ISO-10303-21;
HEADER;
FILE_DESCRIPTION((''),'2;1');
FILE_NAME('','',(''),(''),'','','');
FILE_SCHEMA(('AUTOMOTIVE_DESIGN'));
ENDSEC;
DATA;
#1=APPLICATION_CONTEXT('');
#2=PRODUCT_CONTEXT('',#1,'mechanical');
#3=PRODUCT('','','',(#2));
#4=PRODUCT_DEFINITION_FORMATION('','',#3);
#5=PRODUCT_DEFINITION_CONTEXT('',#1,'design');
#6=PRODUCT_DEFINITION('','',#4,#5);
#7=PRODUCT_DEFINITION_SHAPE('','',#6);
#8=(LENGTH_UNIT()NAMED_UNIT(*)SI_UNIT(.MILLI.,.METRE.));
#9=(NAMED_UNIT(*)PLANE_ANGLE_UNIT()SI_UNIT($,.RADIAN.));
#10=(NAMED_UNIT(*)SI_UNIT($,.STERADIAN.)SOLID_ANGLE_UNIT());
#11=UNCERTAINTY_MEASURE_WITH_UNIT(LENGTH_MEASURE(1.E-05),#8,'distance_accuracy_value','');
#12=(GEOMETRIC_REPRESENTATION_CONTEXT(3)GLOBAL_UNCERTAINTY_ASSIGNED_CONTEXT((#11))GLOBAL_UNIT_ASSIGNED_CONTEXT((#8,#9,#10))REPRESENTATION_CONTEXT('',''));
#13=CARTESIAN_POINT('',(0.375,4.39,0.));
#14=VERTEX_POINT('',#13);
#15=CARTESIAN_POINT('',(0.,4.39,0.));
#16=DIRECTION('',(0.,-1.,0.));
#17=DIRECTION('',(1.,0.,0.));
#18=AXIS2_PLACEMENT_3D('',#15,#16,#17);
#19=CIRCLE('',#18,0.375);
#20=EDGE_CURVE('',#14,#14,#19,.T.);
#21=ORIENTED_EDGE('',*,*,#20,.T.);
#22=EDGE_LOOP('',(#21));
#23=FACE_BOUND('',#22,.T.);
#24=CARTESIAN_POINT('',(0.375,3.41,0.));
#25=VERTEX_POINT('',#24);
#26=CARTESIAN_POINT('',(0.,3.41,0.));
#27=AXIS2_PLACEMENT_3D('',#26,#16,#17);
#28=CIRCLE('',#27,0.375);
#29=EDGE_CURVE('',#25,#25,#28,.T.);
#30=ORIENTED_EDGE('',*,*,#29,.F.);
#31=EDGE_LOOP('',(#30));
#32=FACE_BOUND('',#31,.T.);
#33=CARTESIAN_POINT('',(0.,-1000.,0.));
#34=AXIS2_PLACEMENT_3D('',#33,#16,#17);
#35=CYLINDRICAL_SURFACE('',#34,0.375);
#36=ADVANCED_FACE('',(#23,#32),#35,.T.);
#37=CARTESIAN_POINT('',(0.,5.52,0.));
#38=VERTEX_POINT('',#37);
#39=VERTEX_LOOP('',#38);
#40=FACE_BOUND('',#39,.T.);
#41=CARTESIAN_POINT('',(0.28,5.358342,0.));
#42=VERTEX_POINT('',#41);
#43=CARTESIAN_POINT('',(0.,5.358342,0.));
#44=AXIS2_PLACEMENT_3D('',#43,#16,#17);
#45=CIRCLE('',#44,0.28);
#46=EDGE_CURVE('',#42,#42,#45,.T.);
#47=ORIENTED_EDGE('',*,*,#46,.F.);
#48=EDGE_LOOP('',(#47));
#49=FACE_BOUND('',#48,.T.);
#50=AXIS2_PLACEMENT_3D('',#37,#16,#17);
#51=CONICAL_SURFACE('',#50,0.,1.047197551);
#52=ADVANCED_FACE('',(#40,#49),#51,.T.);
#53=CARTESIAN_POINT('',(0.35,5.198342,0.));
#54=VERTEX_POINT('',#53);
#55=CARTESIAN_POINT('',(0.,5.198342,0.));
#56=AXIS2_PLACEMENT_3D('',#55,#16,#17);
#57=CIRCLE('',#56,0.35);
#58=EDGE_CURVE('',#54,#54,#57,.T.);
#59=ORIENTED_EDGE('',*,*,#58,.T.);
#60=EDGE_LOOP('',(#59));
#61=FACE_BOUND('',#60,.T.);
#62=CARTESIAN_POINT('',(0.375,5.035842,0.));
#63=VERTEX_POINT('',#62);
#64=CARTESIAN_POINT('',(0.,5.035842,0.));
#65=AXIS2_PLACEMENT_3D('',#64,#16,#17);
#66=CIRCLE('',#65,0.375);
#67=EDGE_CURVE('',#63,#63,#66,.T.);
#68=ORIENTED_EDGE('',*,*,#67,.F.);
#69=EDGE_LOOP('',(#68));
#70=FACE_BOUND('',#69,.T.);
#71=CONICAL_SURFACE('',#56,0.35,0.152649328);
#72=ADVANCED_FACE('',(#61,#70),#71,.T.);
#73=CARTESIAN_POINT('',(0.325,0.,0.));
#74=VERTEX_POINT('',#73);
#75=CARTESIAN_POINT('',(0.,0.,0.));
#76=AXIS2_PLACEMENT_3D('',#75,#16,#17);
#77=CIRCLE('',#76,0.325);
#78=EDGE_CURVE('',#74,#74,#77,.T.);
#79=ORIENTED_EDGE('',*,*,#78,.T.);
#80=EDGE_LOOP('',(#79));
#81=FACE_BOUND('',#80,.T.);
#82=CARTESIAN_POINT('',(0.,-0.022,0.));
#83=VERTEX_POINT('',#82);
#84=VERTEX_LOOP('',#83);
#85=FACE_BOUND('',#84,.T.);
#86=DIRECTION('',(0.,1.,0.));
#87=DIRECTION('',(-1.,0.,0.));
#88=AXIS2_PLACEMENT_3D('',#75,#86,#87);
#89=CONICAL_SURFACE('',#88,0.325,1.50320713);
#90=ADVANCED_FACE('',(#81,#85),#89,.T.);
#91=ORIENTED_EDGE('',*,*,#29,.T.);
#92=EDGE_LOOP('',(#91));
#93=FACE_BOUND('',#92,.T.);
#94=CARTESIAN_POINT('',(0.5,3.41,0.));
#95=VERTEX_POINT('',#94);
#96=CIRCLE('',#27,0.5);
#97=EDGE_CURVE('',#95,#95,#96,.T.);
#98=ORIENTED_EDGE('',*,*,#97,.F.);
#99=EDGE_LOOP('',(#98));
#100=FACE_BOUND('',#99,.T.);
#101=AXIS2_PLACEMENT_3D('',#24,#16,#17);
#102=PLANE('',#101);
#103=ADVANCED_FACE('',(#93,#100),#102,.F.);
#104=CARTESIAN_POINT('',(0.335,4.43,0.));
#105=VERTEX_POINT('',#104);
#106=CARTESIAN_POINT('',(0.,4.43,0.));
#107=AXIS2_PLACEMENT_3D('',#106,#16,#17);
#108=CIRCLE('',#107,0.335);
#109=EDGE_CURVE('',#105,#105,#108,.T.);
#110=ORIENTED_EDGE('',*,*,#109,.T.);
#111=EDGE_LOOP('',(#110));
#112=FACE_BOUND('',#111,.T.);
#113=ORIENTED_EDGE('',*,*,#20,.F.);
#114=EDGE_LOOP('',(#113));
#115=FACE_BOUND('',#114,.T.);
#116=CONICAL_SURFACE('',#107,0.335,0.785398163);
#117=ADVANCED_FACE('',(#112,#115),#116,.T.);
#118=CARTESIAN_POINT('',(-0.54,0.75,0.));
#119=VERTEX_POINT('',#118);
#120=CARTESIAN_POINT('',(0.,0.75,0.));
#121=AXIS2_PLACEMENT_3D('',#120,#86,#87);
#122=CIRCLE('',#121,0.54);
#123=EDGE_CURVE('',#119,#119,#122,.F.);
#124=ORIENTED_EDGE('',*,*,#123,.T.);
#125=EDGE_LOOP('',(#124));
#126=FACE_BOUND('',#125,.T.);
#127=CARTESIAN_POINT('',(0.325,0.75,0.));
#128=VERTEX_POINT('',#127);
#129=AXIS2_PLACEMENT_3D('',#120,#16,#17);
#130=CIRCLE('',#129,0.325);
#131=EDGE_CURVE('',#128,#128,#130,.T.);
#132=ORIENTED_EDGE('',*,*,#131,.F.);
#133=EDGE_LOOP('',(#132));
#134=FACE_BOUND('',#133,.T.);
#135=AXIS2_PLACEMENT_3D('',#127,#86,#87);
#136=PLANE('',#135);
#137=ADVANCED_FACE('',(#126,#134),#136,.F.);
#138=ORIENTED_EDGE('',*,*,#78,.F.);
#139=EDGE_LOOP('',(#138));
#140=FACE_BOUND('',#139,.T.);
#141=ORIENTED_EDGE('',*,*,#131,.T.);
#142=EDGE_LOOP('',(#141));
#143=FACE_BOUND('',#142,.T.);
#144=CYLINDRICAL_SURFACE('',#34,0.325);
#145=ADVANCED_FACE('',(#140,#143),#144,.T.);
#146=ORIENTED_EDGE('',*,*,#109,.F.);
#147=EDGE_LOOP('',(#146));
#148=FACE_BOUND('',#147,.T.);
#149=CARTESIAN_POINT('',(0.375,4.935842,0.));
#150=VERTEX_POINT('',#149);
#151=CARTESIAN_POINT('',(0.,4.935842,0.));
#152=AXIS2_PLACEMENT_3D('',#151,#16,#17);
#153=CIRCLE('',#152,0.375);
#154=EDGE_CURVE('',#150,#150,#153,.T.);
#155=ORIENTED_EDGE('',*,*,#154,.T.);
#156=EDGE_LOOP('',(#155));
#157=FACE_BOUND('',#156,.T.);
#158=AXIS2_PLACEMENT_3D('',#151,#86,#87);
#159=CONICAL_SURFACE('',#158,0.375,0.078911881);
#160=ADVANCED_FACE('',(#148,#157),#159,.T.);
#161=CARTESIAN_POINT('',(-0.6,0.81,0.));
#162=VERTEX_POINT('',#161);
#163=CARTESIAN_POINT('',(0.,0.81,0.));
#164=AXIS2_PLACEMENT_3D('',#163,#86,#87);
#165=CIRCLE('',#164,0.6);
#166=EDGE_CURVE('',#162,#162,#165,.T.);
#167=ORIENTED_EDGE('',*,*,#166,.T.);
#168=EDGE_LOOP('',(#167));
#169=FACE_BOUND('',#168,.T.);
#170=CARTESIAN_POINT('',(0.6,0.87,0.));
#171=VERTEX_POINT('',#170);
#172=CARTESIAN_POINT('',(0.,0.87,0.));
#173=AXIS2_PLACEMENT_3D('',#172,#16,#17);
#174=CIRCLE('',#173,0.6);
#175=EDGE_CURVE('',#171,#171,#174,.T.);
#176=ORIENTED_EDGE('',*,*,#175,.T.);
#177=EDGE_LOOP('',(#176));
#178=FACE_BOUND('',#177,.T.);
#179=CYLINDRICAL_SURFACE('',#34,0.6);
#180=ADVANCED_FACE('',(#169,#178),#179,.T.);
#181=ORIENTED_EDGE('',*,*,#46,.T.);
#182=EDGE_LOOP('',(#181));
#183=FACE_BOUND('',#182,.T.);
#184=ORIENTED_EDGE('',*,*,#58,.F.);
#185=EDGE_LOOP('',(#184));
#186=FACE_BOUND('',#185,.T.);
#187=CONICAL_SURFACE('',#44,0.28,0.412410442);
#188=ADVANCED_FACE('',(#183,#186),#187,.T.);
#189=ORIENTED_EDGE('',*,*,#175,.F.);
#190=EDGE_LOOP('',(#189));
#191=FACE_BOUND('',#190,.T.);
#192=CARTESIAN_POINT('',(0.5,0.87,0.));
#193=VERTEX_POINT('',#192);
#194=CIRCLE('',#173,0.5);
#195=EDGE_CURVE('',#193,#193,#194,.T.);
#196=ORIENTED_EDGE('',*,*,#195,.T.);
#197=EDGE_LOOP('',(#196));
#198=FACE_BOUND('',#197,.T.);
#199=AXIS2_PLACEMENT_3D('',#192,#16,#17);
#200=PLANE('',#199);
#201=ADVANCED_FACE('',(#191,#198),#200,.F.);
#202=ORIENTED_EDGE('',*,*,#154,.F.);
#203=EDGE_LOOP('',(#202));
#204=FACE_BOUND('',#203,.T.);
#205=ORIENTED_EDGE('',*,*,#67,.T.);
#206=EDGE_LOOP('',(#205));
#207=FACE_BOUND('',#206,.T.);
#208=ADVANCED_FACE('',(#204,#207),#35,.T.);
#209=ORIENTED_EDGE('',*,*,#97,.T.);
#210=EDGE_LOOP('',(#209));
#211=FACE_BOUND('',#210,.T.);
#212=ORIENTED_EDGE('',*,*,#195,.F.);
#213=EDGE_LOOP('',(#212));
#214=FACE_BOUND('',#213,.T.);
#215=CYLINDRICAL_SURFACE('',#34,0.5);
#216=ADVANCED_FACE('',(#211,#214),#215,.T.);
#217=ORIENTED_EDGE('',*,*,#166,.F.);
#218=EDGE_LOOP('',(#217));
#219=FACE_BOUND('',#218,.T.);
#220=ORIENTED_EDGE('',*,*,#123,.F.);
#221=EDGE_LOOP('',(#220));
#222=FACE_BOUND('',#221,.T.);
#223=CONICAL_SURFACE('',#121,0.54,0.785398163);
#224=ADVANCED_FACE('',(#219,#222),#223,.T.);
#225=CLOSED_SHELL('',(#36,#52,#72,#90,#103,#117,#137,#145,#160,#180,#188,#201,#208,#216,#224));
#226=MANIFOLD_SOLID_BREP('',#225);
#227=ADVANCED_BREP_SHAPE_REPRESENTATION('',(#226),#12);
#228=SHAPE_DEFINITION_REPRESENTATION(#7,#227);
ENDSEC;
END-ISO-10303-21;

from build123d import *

# Parameters (mm, degrees)
CHAMFER1_SIZE = 0.06


with BuildPart() as part:
    # Sketch1 → Revolve1 (revolve)
    with BuildSketch(Plane(origin=(0, 0, 0), x_dir=(-1, 0, 0), z_dir=(0, 0, -1))):
        Polygon((0, 5.52), (-0.28, 5.358341925), (-0.35, 5.198341925), (-0.375, 5.035841925), (-0.375, 4.935841925), (-0.335, 4.43), (-0.375, 4.39), (-0.375, 3.41), (-0.5, 3.41), (-0.5, 0.87), (-0.6, 0.87), (-0.6, 0.75), (-0.325, 0.75), (-0.325, 0), (0, -0.022), align=None)
    revolve(axis=Axis((0, -1000, 0), (0, 1, 0)))

    # Chamfer1
    chamfer1_edges = [part.edges().sort_by_distance(p)[0] for p in [
        (-0.6, 0.75, 0),
    ]]
    chamfer(chamfer1_edges, length=CHAMFER1_SIZE)


solid = part.part
